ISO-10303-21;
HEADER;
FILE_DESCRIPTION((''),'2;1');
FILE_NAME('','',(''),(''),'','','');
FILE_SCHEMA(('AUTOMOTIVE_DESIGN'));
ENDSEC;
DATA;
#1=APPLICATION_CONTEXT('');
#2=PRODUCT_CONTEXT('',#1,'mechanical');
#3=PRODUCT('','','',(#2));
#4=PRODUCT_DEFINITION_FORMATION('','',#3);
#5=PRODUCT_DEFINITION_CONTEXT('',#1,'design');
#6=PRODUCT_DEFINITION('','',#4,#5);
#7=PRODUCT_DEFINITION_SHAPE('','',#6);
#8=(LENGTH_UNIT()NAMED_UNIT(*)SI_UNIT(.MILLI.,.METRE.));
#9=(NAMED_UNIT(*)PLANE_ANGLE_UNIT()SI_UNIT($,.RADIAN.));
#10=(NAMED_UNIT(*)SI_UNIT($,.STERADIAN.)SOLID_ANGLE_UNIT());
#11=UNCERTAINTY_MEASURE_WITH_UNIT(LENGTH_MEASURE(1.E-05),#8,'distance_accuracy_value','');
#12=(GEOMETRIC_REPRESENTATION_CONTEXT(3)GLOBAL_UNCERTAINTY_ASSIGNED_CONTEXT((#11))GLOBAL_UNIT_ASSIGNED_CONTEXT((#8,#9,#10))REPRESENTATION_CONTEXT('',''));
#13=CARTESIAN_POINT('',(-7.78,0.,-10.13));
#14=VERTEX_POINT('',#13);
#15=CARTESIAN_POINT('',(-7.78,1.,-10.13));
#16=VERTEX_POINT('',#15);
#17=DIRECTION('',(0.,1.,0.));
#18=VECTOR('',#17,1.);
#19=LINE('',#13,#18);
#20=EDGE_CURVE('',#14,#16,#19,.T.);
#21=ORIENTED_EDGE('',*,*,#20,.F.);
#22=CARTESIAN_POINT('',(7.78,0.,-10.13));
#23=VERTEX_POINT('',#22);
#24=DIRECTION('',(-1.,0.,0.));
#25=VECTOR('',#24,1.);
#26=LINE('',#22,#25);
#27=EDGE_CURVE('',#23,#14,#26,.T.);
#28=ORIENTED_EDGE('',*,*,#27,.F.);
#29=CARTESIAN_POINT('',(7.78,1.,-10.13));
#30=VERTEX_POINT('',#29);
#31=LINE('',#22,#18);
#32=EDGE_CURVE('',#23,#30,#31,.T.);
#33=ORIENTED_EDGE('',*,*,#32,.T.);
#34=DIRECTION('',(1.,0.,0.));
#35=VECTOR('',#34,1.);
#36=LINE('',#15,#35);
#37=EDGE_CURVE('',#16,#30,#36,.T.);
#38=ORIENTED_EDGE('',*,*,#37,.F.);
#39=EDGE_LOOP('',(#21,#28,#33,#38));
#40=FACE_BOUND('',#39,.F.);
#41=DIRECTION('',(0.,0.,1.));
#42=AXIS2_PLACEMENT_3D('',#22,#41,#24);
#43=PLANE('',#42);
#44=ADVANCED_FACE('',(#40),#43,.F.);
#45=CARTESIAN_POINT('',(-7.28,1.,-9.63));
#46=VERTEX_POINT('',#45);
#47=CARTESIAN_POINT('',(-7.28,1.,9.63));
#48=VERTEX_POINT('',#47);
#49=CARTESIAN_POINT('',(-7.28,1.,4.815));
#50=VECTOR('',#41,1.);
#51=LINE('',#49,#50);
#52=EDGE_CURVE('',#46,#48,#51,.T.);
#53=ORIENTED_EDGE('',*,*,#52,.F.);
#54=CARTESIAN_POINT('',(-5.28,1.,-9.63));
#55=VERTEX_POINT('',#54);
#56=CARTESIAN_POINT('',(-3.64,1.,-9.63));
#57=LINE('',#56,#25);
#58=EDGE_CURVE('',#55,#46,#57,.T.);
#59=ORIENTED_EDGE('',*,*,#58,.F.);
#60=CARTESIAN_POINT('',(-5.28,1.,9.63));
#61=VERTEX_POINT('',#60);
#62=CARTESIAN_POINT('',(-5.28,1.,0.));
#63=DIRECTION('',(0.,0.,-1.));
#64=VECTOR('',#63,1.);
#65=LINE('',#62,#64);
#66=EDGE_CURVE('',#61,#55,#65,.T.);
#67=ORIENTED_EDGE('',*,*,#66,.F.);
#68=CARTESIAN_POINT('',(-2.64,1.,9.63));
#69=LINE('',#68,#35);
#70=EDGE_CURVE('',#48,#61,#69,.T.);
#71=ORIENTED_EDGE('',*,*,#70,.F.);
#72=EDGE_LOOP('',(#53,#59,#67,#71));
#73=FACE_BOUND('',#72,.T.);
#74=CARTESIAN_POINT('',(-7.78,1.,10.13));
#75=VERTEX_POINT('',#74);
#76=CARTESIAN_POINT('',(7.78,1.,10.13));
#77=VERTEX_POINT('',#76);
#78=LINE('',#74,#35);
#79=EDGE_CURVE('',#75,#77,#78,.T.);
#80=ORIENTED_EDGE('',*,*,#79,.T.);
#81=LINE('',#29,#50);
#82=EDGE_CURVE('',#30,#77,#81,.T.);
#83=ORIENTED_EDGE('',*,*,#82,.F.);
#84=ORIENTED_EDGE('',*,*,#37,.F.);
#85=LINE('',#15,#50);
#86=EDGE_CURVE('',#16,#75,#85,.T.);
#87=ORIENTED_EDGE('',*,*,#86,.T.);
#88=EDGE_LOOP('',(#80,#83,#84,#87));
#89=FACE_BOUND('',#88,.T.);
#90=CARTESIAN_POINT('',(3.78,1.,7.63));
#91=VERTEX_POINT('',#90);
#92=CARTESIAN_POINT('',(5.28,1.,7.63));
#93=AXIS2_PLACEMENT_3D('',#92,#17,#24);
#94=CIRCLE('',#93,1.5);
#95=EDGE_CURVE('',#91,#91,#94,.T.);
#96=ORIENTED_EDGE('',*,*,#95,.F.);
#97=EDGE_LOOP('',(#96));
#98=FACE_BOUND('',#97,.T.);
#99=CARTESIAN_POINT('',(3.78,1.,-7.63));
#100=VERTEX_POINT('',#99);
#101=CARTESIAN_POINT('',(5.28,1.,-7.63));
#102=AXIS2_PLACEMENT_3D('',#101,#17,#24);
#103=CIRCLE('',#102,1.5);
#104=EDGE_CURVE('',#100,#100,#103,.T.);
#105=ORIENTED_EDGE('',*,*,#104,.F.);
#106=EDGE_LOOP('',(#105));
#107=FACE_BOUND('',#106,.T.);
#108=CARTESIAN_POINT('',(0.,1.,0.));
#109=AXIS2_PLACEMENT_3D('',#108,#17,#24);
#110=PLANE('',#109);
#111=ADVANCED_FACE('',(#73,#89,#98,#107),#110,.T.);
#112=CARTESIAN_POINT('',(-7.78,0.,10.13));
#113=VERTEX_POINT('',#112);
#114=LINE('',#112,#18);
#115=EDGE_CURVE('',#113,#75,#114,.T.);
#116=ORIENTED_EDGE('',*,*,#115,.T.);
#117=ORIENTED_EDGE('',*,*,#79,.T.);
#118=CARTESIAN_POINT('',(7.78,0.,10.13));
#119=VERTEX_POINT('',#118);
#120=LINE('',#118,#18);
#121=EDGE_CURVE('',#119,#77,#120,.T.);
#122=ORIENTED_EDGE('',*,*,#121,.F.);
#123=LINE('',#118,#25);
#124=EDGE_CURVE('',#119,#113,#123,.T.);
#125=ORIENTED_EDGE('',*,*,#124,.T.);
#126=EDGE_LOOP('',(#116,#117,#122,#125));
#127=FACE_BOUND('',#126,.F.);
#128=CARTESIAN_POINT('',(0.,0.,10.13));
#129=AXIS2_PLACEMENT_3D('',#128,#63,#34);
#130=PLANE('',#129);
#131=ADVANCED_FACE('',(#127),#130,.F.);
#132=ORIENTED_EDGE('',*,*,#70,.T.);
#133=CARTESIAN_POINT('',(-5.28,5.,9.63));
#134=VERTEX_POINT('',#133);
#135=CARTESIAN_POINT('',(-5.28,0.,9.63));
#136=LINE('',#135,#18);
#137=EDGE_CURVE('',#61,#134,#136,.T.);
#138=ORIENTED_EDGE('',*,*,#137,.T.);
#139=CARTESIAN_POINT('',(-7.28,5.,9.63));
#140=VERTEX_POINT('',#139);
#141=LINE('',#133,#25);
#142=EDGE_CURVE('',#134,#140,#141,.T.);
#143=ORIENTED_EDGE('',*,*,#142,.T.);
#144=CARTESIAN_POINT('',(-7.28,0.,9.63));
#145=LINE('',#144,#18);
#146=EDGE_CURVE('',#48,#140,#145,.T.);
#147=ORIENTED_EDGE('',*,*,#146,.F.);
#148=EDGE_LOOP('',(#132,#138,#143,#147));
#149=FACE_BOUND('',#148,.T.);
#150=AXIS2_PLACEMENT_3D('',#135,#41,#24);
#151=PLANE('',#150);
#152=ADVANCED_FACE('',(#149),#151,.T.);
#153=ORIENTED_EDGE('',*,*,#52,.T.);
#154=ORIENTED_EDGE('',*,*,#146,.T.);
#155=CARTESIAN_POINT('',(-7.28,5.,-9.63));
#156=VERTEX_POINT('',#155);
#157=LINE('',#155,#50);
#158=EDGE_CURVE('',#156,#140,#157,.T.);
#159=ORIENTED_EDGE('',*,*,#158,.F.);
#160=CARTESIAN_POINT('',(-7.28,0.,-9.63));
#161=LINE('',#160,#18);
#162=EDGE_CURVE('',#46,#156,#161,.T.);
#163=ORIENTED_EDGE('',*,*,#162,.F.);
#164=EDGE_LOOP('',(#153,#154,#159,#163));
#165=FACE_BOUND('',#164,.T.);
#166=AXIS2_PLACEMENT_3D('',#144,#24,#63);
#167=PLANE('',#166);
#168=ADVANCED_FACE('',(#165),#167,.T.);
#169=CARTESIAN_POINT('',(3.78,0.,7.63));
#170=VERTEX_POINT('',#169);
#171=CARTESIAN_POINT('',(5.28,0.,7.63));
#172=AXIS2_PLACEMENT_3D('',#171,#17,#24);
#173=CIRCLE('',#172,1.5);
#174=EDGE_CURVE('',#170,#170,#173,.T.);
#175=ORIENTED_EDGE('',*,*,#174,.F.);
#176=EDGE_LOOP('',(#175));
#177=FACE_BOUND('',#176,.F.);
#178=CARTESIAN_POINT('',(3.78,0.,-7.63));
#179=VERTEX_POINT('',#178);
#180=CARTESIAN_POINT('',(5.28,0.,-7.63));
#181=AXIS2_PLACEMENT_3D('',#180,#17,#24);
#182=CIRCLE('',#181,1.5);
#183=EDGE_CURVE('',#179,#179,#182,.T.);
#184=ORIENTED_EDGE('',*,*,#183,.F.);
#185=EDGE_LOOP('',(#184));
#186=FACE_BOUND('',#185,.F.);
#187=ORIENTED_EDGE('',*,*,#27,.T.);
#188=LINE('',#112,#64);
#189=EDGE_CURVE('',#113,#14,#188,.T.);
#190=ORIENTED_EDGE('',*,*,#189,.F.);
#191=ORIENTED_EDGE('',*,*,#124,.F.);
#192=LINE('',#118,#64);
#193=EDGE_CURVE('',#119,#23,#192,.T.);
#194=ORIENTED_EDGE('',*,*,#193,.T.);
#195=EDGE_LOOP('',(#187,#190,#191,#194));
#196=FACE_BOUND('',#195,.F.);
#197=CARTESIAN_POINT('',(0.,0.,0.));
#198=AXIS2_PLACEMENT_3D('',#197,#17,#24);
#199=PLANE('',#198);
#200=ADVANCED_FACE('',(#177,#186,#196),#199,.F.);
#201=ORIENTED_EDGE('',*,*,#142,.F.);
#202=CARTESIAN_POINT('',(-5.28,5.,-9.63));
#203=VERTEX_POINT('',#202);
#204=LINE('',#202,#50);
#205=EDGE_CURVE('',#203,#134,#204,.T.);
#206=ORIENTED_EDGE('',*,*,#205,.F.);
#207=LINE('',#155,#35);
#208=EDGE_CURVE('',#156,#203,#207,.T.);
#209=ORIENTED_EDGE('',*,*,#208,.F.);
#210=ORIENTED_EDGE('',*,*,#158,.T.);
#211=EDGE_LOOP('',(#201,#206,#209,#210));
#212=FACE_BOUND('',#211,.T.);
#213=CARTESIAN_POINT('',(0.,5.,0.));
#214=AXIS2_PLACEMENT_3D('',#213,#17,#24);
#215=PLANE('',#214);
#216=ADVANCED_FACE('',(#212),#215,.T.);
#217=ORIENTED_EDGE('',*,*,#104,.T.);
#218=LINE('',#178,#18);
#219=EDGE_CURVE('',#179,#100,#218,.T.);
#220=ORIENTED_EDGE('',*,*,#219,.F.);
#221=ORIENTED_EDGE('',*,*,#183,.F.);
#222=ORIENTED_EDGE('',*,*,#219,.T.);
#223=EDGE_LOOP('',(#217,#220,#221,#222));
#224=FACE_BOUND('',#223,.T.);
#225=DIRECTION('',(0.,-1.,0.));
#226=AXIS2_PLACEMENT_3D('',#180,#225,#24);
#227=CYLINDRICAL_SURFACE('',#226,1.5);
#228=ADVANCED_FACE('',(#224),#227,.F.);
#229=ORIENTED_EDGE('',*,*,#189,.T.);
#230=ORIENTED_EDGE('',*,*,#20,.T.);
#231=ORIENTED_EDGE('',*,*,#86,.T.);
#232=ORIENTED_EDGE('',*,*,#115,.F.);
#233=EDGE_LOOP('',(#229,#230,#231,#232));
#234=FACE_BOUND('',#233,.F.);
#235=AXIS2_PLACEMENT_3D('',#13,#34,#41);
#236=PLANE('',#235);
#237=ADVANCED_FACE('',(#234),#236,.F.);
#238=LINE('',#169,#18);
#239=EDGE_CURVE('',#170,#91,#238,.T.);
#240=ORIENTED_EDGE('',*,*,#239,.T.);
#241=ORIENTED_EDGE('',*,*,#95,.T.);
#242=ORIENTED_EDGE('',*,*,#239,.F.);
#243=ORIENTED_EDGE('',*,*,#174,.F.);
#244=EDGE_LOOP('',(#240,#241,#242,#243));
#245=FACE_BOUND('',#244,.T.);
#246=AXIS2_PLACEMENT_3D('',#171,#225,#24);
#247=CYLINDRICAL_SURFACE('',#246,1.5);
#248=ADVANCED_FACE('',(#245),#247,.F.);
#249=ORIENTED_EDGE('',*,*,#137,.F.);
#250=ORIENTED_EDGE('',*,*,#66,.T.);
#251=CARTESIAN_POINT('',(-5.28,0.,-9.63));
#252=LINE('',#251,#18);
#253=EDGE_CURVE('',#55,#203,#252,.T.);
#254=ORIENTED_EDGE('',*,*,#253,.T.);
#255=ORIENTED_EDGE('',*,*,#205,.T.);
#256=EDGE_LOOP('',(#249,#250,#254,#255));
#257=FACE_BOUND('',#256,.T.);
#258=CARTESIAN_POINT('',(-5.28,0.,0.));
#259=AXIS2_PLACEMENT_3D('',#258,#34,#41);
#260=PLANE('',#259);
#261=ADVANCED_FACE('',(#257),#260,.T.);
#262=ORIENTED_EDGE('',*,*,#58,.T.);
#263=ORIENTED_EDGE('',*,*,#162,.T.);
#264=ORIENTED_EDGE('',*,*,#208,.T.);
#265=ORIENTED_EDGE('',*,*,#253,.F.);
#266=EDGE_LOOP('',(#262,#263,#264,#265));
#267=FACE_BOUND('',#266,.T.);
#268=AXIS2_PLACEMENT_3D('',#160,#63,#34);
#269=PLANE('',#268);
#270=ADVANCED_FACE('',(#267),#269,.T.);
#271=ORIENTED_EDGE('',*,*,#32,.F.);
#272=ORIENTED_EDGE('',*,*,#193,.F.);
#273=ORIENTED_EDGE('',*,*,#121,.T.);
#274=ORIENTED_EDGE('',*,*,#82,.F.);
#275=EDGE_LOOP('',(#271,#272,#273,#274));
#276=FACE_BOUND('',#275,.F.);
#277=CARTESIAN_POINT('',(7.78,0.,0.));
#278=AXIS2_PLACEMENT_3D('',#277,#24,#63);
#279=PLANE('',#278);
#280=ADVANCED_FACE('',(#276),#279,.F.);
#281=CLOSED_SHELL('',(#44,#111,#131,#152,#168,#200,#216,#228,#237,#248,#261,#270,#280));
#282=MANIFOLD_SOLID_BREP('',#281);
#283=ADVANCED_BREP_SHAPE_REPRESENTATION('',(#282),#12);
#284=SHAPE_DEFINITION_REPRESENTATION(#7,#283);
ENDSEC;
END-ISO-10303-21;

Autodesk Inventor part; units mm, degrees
ref_plane "YZ Plane" through (0, 0, 0) normal (1, 0, 0) x (0, 1, 0)
ref_plane "XZ Plane" through (0, 0, 0) normal (0, 1, 0) x (-1, 0, 0)
ref_plane "XY Plane" through (0, 0, 0) normal (0, 0, 1) x (1, 0, 0)
sketch "Skizze1" plane through (0, 0, 0) normal (0, 1, 0) x (-1, 0, 0)
  line L0 (-7.78, -10.13) -> (7.78, -10.13)
  line L1 (7.78, -10.13) -> (7.78, 10.13)
  line L2 (7.78, 10.13) -> (-7.78, 10.13)
  line L3 (-7.78, 10.13) -> (-7.78, -10.13)
  line L4 (0, -14.182) -> (0, 14.182) projected
  line L5 (10.892, 0) -> (-10.892, 0) projected
  circle A0 centre (-5.28, -7.63) radius 1.5
  circle A1 centre (-5.28, 7.63) radius 1.5
  line L6 (7.28, -9.63) -> (5.28, -9.63)
  line L7 (5.28, -9.63) -> (5.28, 9.63)
  line L8 (5.28, 9.63) -> (7.28, 9.63)
  line L9 (7.28, 9.63) -> (7.28, -9.63)
  point P0 (0, 0)
  dimension "d0" = 15.56
  dimension "d1" = 20.26
  dimension "d2" = 3
  dimension "d3" = 2.5
  dimension "d4" = 2.5
  dimension "d5" = 0.5
  dimension "d6" = 0.5
  dimension "d7" = 0.5
  dimension "d8" = 2
extrude "Extrusion1" add sketch "Skizze1" along normal blind 1
extrude "Extrusion2" add sketch "Skizze1" along normal blind 5 contours L7 L8 L9 L5 | L5 L9 L6 L7
properties part number "Gyrosensor"
